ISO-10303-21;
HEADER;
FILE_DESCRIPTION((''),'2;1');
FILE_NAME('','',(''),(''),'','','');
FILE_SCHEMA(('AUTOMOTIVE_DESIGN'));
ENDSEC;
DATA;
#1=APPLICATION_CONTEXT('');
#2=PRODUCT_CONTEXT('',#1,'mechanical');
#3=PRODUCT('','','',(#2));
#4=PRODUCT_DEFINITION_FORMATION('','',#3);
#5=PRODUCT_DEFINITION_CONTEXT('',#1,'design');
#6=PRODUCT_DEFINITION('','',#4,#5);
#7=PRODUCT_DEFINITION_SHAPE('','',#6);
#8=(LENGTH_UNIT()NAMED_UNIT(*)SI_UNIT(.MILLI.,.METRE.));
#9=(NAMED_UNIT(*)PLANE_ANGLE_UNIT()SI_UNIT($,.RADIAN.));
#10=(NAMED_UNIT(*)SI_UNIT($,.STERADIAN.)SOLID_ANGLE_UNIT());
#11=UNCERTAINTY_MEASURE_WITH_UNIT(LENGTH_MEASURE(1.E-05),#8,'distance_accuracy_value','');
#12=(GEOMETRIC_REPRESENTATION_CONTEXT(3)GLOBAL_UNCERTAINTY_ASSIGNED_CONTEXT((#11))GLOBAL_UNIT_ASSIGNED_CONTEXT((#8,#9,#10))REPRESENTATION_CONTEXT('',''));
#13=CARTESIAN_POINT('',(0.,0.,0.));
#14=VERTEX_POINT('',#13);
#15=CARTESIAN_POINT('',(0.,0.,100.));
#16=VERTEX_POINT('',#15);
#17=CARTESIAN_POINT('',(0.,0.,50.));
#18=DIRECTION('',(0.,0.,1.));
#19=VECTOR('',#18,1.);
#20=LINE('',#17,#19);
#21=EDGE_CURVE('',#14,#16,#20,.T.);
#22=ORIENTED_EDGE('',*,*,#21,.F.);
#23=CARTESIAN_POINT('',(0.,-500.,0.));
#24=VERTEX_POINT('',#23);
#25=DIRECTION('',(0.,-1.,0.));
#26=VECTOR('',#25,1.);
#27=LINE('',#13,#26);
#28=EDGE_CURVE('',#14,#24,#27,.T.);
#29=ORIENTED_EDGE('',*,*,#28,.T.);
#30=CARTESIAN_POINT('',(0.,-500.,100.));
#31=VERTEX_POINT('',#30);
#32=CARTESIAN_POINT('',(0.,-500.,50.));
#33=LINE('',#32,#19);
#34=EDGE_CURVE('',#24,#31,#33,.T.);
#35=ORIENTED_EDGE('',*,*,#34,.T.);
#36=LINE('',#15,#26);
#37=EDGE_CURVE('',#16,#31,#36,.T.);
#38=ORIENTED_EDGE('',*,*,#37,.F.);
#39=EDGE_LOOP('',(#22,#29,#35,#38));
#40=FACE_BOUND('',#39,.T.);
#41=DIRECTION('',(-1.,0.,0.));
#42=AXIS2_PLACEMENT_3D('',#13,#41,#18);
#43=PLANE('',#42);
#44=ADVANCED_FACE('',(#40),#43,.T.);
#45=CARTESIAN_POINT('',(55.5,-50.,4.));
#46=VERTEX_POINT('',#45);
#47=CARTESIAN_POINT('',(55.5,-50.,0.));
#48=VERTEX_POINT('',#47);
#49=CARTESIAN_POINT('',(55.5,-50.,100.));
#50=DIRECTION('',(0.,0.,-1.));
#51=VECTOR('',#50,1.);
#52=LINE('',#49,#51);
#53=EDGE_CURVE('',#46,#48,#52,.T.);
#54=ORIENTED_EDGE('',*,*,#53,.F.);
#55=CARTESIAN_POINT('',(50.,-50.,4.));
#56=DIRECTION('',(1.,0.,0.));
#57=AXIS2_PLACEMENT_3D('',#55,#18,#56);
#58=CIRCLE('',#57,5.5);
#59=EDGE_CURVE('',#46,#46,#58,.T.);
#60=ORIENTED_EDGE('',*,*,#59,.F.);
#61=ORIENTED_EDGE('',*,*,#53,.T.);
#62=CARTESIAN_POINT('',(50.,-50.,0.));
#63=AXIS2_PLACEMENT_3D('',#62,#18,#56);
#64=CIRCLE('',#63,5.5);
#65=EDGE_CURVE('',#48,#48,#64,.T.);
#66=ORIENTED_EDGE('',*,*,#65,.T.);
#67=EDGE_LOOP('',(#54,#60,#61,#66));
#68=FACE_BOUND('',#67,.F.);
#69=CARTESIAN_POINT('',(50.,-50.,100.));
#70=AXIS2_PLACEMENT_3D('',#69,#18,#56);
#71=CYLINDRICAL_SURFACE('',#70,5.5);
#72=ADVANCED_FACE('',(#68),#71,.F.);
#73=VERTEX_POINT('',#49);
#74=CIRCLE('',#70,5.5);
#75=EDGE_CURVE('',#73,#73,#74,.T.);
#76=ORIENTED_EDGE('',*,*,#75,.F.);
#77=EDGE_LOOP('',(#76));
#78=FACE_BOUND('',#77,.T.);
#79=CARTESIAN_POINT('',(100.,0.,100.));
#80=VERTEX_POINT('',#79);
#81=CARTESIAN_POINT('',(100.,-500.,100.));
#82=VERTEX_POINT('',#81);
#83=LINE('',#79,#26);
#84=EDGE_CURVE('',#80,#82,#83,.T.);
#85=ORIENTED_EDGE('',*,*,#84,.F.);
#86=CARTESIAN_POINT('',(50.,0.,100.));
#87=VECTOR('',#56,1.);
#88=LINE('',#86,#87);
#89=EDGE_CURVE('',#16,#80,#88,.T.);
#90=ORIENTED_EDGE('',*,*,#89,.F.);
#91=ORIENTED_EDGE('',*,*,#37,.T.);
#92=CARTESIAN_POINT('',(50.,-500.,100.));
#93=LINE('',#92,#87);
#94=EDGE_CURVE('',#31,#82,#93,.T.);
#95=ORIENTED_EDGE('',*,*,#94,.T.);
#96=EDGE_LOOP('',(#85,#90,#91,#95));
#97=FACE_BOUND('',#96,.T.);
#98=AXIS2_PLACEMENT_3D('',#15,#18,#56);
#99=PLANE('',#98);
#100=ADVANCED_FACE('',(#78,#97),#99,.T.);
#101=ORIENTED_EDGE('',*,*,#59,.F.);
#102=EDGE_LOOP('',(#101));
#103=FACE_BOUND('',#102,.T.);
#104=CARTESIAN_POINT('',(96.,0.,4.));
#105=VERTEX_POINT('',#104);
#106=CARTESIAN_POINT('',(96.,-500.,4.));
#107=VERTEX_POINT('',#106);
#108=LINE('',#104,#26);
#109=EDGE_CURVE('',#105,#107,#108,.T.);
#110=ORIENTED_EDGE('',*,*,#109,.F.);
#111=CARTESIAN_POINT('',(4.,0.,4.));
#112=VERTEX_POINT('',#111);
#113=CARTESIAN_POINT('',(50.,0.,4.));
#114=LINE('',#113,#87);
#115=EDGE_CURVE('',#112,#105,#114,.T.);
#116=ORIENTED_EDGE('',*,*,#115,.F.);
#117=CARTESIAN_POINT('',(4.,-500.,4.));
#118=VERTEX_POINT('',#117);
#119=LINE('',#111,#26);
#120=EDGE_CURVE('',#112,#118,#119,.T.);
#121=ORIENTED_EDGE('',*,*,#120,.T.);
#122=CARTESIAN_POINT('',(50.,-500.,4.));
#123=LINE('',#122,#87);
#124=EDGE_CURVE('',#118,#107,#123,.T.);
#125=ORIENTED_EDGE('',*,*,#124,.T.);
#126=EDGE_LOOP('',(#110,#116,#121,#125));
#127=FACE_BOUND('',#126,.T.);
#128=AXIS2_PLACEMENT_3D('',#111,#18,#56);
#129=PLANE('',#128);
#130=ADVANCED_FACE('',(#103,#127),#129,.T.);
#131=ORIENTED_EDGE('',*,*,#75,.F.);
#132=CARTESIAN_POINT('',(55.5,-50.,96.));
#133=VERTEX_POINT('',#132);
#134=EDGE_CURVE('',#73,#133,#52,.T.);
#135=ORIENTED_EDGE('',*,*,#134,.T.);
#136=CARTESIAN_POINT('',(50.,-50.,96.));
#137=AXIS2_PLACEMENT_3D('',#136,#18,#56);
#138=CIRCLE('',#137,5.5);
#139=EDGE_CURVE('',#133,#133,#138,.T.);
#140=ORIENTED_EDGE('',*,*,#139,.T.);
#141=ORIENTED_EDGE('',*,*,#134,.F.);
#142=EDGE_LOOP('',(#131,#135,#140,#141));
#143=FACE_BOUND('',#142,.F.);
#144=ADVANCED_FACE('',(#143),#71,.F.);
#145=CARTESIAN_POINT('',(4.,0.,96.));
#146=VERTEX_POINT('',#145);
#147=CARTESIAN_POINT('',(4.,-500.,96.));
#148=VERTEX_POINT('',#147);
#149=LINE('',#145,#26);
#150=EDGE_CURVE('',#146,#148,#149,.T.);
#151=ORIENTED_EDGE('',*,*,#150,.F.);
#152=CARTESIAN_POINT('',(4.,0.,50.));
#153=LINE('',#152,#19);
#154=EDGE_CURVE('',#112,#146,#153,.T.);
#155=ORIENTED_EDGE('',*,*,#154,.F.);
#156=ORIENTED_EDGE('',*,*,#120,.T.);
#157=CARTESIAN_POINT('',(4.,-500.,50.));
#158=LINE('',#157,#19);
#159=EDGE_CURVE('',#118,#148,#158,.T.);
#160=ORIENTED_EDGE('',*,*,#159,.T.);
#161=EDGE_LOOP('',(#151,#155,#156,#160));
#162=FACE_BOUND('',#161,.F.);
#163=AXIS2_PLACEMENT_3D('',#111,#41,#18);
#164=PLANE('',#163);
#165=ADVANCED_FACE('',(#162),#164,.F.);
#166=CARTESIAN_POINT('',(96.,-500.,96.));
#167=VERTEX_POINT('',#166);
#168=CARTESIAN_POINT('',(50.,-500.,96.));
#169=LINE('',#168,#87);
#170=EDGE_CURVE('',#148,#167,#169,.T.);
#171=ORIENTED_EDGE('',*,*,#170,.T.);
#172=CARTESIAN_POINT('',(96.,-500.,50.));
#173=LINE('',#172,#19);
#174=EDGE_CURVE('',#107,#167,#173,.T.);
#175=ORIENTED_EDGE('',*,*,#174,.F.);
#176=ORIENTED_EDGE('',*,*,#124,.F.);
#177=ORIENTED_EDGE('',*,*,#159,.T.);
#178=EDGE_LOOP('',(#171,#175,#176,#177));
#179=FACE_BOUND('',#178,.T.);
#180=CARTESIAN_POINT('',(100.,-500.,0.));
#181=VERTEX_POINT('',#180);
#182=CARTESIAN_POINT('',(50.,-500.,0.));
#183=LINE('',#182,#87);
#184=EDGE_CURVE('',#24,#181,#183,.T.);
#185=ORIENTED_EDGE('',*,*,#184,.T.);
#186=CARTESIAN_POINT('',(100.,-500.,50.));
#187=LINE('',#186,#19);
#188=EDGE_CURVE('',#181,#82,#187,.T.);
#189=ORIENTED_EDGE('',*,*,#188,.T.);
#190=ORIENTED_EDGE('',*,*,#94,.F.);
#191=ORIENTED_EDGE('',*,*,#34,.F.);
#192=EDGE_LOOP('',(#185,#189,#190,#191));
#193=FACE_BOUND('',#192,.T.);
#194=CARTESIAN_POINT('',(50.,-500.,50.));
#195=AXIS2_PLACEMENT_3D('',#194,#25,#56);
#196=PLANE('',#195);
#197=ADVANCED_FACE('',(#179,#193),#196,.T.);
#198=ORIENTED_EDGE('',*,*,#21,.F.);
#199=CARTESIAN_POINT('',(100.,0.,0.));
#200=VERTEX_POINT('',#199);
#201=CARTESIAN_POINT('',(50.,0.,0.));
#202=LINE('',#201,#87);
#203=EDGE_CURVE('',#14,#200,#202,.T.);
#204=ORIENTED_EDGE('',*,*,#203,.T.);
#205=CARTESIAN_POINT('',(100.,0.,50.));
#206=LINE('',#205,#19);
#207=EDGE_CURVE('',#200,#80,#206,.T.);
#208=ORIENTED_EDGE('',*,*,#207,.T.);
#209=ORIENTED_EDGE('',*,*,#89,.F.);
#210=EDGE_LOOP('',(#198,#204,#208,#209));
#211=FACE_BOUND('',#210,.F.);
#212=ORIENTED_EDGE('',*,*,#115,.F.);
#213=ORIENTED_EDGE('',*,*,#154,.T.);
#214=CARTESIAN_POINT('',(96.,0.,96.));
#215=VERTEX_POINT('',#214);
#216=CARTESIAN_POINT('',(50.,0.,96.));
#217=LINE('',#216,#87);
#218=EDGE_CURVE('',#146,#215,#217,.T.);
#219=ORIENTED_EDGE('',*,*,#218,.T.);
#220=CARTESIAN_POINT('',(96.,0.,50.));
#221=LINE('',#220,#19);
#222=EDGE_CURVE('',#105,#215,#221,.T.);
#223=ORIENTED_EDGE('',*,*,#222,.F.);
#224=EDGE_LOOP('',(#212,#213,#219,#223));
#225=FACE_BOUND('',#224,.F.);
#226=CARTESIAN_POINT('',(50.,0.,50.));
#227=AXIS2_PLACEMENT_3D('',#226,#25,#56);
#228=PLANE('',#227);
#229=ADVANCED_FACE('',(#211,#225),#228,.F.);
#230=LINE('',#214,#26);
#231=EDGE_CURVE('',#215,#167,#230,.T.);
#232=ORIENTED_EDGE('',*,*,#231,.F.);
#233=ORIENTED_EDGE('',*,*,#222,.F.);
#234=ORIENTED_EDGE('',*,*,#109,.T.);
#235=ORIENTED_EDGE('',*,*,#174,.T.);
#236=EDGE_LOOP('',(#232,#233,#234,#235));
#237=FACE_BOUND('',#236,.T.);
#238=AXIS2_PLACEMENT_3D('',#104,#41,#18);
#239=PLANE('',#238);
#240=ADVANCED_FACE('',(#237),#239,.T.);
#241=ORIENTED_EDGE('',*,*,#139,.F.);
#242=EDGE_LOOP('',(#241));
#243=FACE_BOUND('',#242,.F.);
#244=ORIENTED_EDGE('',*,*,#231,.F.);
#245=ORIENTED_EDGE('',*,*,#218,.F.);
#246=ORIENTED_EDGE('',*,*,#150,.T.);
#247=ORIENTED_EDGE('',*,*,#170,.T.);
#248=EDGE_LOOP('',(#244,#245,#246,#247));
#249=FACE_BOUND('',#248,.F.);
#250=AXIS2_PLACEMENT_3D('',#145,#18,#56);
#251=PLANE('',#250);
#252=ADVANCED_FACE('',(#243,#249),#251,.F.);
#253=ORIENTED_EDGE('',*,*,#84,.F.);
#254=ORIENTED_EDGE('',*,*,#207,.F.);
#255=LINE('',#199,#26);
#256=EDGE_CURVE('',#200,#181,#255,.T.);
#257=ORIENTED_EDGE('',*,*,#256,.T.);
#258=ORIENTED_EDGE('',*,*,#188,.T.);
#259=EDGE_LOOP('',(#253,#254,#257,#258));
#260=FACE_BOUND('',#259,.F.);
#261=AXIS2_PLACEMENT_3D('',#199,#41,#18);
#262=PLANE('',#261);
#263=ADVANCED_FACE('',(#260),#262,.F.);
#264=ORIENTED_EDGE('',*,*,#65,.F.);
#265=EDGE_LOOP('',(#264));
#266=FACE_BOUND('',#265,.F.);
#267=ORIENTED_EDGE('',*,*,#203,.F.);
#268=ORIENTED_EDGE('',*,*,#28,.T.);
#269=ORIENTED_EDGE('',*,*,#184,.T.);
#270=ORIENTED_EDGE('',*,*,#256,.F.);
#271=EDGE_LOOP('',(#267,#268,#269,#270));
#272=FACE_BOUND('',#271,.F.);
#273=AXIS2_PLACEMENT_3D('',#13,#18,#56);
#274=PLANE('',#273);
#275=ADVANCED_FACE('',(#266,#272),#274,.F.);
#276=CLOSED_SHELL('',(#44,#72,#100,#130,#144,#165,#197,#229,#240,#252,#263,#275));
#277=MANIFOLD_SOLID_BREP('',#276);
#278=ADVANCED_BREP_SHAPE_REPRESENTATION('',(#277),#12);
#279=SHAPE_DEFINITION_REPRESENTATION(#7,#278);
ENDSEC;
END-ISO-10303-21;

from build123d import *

# Parameters (mm, degrees)
F0_W     = 100
F0_H     = 100
F0_W_2   = 92
F0_H_2   = 92
F1_DEPTH = 500
F2_R     = 5.5
F3_DEPTH = 100.001


with BuildPart() as f1:
    # F0 (on Front) → F1 (new body)
    with BuildSketch(Plane.XZ):
        with Locations((50, 50)):
            Rectangle(F0_W, F0_H)
        with Locations((50, 50)):
            Rectangle(F0_W_2, F0_H_2, mode=Mode.SUBTRACT)
    extrude(amount=F1_DEPTH)

    # F2 (on face) → F3 (cut, through all)
    with BuildSketch(Plane.XY.offset(100)):
        with Locations((50, -50)):
            Circle(F2_R)
    extrude(amount=-F3_DEPTH, mode=Mode.SUBTRACT)


solid = f1.part
